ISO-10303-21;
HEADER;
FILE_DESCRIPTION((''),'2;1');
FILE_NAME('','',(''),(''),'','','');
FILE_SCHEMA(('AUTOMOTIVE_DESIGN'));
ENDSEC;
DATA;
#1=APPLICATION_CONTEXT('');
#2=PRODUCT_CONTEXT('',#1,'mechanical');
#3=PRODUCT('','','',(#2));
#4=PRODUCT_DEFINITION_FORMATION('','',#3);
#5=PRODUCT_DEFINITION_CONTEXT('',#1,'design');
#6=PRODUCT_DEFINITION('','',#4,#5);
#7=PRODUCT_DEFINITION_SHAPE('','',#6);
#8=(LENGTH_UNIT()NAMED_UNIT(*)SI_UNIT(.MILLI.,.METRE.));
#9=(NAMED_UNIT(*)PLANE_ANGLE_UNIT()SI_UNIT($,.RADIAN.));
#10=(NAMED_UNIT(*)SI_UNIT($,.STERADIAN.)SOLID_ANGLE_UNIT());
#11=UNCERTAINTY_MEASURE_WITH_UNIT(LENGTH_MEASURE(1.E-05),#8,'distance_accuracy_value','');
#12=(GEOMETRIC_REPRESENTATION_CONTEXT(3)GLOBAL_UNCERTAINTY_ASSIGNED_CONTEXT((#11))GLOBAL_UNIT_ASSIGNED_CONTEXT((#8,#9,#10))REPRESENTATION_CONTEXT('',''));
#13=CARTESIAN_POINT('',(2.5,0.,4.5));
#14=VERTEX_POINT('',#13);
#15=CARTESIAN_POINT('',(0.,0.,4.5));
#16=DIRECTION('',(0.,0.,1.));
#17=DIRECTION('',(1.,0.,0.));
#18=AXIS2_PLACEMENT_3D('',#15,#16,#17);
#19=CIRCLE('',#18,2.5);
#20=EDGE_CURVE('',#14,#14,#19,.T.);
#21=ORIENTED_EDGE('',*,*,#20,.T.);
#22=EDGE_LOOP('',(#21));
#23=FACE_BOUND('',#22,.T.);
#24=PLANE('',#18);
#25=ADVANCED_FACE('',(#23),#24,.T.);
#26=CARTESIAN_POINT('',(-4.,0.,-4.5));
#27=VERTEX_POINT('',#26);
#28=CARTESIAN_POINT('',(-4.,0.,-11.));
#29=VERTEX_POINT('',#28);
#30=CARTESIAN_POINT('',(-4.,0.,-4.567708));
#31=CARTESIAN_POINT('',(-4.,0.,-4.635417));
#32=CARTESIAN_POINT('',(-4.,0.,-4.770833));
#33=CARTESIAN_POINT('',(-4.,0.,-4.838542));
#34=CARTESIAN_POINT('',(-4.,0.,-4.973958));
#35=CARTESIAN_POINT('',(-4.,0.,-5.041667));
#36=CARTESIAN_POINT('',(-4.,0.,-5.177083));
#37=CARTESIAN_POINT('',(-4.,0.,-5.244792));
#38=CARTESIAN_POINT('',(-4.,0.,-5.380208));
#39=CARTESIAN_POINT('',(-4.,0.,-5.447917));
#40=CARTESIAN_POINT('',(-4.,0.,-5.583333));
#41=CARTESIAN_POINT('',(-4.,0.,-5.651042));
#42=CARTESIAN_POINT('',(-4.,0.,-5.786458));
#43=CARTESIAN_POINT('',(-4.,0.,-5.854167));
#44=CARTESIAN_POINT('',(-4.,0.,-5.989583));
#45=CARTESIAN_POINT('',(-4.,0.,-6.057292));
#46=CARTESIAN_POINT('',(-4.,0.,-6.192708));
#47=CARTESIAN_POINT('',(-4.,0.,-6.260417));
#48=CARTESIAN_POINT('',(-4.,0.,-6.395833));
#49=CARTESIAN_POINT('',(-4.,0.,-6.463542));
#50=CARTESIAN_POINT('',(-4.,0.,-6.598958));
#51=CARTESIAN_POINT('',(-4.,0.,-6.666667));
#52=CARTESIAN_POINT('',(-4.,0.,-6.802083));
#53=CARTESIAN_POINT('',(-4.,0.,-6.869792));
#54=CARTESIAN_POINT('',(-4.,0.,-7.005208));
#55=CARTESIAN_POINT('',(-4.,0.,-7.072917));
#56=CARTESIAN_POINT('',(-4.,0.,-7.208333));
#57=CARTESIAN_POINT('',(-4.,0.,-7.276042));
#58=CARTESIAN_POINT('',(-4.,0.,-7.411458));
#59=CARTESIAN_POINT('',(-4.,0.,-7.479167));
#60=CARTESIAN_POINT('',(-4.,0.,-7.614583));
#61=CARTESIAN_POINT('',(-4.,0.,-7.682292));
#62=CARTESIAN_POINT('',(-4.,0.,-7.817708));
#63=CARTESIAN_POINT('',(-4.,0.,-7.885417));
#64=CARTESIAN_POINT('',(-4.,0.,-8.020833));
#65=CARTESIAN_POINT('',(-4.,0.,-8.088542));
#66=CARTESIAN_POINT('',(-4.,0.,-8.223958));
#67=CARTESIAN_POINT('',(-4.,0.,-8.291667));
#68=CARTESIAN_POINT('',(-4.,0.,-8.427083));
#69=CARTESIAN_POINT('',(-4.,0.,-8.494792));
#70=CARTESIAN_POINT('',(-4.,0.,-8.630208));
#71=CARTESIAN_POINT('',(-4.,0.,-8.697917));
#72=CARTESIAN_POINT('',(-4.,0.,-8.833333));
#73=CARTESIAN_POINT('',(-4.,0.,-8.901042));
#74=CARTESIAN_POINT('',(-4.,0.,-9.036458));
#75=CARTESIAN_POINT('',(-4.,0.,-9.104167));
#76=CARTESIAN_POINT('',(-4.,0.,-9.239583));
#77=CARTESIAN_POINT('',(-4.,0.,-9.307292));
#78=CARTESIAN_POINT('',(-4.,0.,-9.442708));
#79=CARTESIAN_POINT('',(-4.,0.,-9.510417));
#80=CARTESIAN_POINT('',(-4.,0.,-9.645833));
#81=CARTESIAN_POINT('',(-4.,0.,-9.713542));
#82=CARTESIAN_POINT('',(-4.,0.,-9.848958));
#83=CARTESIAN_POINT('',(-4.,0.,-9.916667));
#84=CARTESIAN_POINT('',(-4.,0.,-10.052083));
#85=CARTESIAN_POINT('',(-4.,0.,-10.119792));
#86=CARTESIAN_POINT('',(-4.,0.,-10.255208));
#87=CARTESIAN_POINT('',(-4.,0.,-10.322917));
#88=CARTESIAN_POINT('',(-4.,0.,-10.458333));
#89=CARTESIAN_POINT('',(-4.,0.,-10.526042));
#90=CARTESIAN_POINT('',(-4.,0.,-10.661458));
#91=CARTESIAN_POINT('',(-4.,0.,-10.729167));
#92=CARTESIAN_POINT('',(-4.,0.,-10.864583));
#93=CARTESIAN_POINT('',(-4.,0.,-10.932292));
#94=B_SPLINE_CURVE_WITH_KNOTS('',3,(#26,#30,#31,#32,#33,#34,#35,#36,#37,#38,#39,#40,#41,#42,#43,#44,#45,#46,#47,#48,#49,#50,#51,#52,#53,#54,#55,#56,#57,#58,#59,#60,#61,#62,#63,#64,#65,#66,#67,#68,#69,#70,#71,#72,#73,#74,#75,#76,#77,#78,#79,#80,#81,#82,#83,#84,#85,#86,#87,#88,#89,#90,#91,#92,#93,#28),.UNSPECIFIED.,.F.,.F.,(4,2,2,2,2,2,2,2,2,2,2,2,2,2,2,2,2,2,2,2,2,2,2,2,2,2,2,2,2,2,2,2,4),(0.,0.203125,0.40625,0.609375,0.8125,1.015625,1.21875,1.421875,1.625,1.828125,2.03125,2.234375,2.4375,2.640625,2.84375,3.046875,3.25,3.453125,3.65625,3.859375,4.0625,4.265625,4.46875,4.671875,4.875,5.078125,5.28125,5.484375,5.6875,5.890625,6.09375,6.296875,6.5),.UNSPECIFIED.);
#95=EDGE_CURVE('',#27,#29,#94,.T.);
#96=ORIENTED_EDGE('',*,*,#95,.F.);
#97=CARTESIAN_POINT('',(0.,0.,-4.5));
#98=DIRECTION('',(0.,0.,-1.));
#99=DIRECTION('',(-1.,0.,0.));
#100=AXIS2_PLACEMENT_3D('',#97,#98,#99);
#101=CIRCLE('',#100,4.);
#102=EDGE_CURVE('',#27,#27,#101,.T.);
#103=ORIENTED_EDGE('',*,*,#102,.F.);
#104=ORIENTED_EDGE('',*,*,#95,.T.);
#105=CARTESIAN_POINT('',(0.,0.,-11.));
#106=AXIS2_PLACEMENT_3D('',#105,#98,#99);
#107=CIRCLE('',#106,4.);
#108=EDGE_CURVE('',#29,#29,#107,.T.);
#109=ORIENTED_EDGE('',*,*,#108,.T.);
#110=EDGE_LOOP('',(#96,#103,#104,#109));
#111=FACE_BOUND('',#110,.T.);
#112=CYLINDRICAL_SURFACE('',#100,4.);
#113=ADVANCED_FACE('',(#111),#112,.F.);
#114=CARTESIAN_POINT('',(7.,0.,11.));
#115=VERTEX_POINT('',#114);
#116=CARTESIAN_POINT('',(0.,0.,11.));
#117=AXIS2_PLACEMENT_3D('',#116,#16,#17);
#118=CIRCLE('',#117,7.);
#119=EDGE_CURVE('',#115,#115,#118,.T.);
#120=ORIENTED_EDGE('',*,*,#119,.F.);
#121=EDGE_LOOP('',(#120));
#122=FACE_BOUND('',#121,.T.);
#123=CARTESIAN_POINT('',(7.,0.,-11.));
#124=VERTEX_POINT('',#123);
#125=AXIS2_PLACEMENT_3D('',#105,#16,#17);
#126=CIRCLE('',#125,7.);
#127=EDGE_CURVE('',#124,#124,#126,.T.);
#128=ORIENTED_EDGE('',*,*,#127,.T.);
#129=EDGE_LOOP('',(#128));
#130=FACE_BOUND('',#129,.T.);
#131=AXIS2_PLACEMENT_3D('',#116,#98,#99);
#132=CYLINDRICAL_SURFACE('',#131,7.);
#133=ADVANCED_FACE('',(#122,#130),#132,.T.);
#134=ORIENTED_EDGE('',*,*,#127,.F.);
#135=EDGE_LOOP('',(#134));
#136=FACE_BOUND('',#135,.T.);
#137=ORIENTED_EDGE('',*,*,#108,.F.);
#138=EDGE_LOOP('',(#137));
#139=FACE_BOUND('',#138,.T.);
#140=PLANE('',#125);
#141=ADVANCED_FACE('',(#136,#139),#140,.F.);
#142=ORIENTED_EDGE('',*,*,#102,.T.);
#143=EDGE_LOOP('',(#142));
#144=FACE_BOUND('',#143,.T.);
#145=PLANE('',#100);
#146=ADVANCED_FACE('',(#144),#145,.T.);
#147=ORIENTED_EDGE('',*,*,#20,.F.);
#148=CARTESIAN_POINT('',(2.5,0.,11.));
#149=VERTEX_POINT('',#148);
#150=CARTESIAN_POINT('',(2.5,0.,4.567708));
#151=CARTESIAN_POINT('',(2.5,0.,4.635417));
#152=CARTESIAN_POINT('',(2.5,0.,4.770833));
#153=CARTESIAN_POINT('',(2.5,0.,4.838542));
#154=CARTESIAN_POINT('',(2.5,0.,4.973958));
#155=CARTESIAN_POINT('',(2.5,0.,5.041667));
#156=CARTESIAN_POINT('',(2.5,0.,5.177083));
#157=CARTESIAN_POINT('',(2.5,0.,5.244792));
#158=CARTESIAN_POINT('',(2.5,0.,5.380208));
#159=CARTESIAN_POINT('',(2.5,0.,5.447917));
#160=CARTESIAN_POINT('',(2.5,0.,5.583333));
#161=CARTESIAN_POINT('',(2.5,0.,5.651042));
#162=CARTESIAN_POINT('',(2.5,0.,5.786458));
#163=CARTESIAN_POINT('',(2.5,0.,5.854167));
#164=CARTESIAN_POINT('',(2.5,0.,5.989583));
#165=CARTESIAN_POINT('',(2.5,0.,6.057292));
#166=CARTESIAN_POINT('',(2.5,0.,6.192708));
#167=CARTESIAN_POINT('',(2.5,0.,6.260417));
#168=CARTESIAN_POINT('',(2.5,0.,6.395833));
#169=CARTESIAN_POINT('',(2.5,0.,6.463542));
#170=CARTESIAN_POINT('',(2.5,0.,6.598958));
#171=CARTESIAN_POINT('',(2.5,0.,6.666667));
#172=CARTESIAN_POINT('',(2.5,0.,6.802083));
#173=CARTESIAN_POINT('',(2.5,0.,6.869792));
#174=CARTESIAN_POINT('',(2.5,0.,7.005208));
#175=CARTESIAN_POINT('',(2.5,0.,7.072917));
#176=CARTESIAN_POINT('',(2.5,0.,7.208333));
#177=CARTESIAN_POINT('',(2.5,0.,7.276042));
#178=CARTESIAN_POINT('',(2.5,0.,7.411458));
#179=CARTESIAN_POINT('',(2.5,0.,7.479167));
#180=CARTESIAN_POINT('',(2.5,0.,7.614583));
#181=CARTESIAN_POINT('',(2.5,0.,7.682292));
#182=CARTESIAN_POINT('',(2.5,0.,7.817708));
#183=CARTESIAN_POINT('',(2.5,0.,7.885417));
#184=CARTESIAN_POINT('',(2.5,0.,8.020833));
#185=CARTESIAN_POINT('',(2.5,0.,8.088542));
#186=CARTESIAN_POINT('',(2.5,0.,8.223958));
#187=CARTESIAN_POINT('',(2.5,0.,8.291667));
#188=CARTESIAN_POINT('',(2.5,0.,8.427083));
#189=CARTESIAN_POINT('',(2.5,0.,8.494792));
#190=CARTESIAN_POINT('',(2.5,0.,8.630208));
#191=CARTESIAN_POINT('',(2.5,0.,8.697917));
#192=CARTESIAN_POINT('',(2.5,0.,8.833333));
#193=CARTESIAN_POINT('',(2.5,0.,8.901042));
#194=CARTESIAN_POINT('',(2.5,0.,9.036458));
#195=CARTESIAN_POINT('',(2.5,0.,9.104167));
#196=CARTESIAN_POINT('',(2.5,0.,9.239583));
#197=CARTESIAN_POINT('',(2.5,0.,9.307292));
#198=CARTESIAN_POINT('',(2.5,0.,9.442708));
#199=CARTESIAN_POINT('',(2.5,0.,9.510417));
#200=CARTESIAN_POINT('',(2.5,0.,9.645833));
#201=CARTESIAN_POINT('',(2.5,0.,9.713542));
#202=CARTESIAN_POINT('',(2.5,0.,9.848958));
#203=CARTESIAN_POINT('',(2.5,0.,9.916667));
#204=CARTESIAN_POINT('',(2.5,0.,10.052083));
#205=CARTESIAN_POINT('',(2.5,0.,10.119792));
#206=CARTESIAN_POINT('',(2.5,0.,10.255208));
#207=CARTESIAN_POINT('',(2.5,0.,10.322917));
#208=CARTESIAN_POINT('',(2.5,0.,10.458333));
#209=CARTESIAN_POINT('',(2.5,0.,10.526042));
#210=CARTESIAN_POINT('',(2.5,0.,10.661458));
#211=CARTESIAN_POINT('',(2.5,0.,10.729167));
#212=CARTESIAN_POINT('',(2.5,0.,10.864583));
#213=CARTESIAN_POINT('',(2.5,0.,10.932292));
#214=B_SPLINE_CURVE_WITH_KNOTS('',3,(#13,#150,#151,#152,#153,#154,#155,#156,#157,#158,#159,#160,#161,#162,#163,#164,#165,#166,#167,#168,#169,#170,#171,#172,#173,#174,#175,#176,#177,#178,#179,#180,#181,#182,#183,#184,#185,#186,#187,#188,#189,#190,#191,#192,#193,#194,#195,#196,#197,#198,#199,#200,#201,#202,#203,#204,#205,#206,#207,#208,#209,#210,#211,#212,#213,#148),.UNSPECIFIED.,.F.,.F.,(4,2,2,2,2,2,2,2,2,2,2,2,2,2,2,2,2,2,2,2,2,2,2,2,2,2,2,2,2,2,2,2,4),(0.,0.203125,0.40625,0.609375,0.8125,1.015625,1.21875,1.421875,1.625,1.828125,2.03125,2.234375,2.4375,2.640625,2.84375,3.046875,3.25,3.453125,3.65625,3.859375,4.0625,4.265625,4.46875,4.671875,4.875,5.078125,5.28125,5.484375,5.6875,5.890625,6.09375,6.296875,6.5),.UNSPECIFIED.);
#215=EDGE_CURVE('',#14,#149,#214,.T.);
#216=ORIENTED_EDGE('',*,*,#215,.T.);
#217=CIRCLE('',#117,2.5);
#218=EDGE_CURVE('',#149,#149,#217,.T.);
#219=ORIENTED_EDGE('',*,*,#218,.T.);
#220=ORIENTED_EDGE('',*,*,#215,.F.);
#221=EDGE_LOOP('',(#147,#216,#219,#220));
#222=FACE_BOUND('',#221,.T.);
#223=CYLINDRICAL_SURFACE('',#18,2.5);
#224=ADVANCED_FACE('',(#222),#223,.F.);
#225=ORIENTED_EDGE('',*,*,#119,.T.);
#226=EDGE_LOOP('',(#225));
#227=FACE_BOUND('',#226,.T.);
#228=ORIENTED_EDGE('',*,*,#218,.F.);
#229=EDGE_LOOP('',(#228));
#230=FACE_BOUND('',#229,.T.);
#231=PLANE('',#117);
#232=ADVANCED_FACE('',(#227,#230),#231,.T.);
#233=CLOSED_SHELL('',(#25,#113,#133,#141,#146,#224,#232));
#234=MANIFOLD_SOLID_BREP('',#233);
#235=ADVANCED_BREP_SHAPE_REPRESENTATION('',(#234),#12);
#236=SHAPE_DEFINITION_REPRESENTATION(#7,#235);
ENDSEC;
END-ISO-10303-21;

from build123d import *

# Parameters (mm, degrees)
SKETCH1_R           = 7
BOSS_EXTRUDE1_DEPTH = 11
SKETCH2_R           = 2.5
CUT_EXTRUDE1_DEPTH  = 6.5
SKETCH3_R           = 4
CUT_EXTRUDE2_DEPTH  = 6.5


with BuildPart() as part:
    # Sketch1 → Boss-Extrude1 (new, symmetric)
    with BuildSketch(Plane.XY):
        Circle(SKETCH1_R)
    extrude(amount=BOSS_EXTRUDE1_DEPTH, both=True)

    # Sketch2 → Cut-Extrude1 (cut)
    with BuildSketch(Plane.XY.offset(11)):
        Circle(SKETCH2_R)
    extrude(amount=-CUT_EXTRUDE1_DEPTH, mode=Mode.SUBTRACT)

    # Sketch3 → Cut-Extrude2 (cut)
    with BuildSketch(Plane(origin=(0, 0, -11), x_dir=(-1, 0, 0), z_dir=(0, 0, -1))):
        Circle(SKETCH3_R)
    extrude(amount=-CUT_EXTRUDE2_DEPTH, mode=Mode.SUBTRACT)


solid = part.part
